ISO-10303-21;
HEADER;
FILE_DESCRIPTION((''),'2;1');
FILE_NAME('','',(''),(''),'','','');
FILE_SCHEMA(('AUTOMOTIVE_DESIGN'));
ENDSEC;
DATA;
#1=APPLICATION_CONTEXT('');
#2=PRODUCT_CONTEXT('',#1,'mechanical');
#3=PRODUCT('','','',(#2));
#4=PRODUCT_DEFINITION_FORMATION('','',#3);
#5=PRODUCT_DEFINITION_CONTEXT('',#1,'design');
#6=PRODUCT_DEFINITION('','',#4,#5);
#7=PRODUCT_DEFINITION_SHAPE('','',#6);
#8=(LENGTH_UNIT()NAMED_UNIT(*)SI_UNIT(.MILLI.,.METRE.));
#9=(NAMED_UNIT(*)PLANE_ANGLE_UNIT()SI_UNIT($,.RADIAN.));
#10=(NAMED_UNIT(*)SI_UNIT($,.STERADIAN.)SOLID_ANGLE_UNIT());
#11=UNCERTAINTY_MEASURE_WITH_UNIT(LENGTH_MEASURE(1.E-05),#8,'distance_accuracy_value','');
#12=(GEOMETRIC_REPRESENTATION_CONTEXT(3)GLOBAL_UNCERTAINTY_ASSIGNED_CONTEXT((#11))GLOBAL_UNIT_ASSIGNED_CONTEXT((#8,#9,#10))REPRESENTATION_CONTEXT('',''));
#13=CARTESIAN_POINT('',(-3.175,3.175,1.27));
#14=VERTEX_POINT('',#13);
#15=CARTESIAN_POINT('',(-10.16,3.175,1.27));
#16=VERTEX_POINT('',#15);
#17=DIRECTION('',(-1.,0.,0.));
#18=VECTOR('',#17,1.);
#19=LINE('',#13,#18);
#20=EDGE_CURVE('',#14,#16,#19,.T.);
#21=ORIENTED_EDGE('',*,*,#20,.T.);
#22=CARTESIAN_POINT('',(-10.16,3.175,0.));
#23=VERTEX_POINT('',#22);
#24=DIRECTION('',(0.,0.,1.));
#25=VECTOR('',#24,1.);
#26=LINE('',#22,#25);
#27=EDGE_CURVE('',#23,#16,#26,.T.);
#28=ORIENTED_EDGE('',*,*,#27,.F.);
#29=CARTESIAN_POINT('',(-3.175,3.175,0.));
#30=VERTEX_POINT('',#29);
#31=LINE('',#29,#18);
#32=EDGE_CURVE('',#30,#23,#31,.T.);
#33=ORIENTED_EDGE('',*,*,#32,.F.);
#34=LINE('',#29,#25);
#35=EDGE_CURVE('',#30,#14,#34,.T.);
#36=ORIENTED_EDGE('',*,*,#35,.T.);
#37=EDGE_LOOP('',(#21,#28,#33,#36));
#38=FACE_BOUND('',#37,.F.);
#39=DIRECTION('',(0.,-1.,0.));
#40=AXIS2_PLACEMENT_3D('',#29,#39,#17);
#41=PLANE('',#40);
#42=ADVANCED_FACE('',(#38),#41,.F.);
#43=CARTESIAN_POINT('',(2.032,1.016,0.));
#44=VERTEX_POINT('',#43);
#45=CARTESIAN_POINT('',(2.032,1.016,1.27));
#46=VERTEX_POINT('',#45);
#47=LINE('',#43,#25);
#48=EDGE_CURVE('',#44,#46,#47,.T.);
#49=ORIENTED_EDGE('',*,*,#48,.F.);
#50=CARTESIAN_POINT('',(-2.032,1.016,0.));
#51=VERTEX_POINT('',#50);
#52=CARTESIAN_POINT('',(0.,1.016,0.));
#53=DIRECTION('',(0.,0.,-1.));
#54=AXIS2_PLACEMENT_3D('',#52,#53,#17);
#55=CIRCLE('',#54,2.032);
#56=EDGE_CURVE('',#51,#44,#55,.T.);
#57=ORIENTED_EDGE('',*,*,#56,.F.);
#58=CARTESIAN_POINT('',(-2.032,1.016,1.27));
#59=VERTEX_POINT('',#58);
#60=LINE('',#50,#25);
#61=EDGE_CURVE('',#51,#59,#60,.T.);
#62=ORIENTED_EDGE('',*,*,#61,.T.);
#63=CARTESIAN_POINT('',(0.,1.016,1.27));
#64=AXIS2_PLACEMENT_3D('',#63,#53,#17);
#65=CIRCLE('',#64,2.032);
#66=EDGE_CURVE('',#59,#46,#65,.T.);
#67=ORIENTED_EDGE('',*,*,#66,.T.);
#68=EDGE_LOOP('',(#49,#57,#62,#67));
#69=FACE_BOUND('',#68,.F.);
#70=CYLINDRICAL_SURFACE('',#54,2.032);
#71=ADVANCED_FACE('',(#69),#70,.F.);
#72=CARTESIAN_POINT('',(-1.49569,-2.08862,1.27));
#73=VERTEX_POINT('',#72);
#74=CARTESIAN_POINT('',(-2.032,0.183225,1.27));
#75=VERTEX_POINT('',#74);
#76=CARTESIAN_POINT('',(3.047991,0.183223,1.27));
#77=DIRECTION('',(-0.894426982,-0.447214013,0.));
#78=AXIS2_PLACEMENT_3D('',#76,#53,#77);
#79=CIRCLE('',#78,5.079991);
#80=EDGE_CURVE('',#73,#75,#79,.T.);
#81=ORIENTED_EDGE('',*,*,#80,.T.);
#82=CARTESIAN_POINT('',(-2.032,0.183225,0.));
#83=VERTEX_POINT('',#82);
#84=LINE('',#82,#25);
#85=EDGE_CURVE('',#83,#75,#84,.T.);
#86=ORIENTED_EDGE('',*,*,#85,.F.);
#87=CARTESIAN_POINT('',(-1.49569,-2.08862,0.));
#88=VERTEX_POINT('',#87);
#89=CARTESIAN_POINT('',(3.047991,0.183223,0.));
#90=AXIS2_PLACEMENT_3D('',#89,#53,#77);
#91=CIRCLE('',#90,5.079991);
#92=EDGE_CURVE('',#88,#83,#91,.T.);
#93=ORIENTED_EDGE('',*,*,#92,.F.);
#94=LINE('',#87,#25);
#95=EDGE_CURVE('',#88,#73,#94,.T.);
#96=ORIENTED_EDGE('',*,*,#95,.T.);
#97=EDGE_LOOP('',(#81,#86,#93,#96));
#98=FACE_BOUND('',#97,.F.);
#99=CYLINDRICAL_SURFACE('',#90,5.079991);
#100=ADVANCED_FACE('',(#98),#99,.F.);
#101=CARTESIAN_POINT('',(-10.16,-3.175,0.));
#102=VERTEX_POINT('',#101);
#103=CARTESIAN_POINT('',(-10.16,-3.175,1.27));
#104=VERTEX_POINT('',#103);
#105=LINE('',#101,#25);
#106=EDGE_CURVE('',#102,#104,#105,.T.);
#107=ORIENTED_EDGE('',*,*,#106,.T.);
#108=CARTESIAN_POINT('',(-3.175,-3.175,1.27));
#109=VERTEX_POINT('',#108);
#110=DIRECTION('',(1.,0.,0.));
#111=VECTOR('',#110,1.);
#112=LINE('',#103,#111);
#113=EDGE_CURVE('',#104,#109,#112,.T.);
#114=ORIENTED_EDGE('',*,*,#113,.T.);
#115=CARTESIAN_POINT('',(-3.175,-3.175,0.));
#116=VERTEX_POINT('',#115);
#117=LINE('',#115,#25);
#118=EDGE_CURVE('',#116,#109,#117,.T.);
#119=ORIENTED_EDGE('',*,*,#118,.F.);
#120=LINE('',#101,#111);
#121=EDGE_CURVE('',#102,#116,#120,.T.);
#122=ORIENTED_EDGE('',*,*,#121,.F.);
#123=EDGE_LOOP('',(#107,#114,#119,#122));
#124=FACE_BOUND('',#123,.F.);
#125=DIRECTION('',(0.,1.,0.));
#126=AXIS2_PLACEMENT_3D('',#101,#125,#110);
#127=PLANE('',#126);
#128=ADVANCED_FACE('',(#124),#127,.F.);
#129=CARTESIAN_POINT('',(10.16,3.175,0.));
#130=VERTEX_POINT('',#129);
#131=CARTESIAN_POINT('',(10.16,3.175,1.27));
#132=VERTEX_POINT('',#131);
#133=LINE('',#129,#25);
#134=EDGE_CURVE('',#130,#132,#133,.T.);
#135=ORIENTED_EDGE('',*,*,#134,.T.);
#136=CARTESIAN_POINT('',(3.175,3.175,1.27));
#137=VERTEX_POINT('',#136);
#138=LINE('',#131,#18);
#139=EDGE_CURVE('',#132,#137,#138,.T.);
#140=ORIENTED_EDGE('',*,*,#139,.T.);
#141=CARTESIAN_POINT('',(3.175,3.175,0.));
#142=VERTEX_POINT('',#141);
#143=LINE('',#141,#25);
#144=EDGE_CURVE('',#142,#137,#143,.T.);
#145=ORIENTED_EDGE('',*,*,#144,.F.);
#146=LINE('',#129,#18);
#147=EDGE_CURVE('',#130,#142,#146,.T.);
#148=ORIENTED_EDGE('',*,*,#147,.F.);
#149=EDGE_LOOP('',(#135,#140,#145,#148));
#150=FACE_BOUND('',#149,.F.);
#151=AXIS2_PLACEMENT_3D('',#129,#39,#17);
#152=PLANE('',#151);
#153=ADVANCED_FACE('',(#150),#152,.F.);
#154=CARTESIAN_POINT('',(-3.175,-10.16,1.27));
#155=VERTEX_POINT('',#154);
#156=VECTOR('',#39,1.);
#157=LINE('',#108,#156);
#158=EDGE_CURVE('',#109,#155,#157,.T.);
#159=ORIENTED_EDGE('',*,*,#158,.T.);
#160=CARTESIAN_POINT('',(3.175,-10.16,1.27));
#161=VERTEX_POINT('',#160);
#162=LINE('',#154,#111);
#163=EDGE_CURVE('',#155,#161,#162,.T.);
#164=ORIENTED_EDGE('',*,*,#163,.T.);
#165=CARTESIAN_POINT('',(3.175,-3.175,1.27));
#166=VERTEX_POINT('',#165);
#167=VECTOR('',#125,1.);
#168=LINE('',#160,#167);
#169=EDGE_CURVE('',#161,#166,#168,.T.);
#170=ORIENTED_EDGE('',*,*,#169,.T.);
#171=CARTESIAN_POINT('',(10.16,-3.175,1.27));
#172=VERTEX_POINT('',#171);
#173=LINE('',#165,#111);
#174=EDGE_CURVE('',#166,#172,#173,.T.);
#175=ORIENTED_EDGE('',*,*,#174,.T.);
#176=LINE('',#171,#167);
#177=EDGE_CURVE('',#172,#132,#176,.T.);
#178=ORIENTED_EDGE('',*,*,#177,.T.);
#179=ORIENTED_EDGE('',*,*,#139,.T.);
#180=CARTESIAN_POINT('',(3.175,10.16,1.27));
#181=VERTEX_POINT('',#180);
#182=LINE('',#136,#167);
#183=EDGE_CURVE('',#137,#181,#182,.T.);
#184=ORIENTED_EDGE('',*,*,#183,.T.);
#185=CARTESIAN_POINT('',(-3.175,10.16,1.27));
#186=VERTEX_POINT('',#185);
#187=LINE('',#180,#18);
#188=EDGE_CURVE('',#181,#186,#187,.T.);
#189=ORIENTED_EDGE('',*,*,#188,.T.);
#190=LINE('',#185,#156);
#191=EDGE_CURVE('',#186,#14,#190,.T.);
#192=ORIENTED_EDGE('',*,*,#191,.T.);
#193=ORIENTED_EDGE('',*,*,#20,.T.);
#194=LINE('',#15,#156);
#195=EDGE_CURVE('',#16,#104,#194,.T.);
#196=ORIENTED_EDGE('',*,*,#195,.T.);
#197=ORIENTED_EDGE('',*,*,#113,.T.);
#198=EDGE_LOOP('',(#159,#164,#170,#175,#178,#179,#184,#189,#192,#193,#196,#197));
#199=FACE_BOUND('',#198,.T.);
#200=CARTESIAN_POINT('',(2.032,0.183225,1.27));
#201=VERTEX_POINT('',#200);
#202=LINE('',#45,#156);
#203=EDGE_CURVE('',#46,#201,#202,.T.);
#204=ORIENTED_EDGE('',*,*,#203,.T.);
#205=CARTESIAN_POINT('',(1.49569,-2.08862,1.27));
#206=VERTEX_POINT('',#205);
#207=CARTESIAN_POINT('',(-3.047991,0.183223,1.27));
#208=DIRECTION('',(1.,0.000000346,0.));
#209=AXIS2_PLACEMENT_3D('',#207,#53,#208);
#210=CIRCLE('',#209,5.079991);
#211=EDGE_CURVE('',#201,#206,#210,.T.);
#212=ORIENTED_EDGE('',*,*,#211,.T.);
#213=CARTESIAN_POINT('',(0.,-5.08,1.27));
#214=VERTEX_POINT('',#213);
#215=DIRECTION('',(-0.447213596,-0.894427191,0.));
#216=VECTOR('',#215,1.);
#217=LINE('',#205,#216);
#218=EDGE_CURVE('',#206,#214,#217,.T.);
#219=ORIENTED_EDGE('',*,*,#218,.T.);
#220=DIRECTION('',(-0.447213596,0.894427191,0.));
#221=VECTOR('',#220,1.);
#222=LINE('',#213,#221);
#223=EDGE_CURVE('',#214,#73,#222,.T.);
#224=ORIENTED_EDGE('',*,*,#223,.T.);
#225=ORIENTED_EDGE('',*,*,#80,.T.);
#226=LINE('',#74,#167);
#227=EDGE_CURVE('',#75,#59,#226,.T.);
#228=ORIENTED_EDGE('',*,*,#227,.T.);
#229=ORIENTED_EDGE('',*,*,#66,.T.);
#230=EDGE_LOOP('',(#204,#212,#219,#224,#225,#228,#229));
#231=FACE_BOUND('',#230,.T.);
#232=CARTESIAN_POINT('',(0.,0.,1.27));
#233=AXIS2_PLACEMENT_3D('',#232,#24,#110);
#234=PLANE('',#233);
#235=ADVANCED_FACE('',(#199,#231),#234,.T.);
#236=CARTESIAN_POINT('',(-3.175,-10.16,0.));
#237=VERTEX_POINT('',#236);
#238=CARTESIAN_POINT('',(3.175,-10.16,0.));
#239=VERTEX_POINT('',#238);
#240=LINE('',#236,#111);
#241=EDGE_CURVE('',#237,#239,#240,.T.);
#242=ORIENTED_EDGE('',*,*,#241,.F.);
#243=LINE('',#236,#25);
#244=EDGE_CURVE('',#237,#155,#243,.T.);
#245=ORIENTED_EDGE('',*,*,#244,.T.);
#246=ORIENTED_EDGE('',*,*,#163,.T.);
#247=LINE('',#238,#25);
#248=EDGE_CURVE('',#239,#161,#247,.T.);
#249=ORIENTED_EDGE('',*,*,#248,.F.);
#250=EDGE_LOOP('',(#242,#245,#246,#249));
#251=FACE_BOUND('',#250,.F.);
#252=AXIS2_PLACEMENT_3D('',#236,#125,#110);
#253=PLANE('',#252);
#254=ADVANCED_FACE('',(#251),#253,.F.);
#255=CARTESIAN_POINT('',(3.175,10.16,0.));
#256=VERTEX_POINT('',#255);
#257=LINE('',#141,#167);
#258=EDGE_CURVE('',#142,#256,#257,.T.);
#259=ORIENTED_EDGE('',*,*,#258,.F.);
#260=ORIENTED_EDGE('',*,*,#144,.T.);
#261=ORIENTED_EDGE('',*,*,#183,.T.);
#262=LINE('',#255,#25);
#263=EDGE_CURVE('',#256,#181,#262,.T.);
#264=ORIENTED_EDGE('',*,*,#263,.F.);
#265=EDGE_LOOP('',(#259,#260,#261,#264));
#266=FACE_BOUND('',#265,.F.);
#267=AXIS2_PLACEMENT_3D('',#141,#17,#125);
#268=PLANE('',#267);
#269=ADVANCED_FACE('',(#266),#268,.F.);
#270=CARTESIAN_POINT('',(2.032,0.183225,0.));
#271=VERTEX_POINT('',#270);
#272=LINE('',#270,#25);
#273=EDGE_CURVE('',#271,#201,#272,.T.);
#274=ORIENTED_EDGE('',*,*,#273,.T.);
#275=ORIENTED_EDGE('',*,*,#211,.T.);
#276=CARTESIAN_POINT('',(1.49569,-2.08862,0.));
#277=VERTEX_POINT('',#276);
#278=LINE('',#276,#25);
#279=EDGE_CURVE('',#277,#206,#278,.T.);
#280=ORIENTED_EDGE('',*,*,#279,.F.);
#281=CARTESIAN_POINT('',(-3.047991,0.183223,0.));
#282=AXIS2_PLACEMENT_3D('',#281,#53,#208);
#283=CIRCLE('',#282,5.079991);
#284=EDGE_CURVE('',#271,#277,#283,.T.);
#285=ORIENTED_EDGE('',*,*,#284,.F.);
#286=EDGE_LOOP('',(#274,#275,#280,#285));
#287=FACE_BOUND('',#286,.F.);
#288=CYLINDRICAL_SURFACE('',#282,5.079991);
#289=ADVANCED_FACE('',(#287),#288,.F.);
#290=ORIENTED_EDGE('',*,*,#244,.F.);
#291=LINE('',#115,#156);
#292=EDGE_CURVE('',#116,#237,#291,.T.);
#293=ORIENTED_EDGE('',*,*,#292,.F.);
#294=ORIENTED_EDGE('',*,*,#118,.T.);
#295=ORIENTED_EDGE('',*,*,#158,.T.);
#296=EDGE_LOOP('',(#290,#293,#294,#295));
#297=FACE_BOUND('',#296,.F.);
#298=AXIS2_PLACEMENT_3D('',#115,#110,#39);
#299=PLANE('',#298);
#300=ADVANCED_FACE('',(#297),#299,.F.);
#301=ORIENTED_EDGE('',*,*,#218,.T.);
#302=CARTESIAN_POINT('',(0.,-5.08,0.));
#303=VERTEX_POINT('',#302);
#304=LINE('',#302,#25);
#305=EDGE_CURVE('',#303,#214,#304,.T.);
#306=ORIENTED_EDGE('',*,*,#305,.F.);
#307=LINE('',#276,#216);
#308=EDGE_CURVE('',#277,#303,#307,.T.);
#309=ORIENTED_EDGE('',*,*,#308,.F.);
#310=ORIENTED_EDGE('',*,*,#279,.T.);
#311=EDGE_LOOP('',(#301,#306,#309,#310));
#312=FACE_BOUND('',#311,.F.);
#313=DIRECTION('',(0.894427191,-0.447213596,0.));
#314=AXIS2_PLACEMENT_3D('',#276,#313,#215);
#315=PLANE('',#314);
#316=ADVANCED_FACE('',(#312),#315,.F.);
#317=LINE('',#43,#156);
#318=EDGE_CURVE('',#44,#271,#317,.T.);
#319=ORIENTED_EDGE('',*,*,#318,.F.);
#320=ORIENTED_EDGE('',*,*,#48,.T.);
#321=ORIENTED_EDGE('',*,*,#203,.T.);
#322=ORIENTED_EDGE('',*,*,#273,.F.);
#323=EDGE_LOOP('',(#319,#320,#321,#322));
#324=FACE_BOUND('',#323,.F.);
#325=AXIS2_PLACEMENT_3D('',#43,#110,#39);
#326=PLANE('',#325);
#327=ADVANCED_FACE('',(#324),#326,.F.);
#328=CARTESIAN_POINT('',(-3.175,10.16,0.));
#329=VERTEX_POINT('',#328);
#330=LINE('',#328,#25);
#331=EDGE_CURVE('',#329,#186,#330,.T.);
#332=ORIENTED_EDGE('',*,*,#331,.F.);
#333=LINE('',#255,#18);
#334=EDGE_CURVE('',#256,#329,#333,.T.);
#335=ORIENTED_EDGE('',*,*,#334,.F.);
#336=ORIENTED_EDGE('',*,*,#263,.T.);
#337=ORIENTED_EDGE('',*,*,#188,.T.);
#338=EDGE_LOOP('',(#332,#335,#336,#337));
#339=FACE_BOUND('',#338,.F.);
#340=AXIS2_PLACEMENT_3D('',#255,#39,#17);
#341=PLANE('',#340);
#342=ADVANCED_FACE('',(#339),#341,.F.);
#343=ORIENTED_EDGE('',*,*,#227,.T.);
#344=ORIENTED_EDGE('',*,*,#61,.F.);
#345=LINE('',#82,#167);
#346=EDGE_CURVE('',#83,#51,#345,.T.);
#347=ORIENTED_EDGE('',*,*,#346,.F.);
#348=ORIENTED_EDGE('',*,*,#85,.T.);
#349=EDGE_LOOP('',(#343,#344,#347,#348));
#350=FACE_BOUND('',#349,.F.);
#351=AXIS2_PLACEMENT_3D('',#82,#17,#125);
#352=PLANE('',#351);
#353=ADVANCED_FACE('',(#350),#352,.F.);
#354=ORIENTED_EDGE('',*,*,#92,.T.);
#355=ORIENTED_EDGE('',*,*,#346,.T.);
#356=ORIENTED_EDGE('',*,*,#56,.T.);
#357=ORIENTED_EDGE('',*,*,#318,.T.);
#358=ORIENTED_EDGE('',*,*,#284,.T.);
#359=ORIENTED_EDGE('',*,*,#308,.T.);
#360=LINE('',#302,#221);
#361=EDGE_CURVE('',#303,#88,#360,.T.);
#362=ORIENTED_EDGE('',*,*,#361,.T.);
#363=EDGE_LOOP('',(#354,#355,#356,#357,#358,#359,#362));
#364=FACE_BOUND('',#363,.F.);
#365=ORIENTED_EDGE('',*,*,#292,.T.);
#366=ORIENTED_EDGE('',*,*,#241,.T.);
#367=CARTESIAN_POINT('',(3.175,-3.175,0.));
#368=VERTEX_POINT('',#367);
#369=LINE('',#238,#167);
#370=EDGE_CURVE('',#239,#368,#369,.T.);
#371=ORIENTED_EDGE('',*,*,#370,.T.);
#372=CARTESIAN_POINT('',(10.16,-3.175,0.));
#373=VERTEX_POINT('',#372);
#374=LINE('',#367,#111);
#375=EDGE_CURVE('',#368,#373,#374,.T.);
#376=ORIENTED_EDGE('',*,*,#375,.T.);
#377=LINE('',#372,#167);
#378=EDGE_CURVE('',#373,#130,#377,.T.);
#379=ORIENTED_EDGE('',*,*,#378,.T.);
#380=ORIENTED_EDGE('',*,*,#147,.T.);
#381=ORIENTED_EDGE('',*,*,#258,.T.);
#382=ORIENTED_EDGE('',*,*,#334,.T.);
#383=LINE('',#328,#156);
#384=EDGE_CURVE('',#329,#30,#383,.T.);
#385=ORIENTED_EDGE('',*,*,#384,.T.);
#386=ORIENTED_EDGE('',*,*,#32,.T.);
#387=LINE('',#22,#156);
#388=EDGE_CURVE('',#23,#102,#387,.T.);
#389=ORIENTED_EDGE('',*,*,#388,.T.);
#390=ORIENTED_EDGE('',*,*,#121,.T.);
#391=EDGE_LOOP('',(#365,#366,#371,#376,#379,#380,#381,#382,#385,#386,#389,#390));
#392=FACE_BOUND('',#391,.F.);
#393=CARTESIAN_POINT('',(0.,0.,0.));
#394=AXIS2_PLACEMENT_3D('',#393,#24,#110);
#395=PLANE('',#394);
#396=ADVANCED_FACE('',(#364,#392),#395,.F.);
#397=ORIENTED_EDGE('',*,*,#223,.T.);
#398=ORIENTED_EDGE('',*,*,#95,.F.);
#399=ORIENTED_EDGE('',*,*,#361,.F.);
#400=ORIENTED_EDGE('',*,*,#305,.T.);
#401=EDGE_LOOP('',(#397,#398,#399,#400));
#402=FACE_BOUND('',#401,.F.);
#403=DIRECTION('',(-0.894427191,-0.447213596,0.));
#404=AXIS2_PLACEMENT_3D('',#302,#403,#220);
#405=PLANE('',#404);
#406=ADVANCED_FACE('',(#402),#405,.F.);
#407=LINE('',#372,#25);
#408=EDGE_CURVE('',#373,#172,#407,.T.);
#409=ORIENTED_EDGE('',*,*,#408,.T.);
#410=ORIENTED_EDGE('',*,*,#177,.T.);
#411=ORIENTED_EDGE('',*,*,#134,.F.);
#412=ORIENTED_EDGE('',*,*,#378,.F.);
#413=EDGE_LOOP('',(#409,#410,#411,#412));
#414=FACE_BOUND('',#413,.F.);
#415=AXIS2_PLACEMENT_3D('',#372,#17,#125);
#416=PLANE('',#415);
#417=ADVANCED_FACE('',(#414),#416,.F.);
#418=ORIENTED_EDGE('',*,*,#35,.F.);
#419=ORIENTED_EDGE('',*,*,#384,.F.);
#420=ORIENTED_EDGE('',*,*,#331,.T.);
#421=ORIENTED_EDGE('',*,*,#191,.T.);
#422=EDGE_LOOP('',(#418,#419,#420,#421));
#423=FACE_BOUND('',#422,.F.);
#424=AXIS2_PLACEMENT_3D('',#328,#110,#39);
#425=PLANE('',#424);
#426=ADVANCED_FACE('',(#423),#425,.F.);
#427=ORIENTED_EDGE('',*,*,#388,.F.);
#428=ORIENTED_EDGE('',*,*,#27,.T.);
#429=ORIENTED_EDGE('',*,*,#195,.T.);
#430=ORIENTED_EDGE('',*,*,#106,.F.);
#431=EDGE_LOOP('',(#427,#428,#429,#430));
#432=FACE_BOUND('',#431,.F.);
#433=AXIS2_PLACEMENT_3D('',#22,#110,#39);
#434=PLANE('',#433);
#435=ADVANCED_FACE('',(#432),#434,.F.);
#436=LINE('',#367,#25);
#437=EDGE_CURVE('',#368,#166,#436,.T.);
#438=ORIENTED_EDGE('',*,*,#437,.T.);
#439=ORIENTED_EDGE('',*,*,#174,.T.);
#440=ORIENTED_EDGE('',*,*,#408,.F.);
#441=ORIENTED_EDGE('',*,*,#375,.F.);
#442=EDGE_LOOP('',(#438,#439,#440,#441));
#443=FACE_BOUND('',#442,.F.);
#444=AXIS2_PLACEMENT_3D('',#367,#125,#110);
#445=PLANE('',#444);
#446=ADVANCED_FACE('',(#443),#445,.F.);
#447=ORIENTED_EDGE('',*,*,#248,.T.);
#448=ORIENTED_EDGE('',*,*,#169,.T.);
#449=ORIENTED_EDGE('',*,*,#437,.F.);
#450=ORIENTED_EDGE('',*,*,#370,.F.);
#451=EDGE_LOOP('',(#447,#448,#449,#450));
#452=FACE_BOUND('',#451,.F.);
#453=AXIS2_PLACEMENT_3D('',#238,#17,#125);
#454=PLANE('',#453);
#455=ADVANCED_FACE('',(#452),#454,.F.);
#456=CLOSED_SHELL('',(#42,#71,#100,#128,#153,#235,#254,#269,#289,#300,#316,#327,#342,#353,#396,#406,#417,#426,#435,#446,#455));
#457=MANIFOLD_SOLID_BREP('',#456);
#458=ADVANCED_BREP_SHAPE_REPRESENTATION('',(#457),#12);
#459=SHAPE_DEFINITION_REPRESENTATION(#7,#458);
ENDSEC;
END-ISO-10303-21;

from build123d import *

# Parameters (mm, degrees)
F1_DEPTH = 1.27


with BuildPart() as f1:
    # F0 (on Top) → F1 (new body)
    with BuildSketch(Plane.XY):
        Polygon((3.175, 10.16), (-3.175, 10.16), (-3.175, 3.175), (-10.16, 3.175), (-10.16, -3.175), (-3.175, -3.175), (-3.175, -10.16), (3.175, -10.16), (3.175, -3.175), (10.16, -3.175), (10.16, 3.175), (3.175, 3.175), align=None)
        with BuildLine():
            Line((-2.032, 0.183225), (-2.032, 1.016))
            ThreePointArc((-2.032, 1.016), (0, 3.048), (2.032, 1.016))
            Line((2.032, 1.016), (2.032, 0.183225))
            ThreePointArc((2.032, 0.183225), (1.896105, -0.98392), (1.49569, -2.08862))
            Line((1.49569, -2.08862), (0, -5.08))
            Line((0, -5.08), (-1.49569, -2.08862))
            ThreePointArc((-1.49569, -2.08862), (-1.896105, -0.98392), (-2.032, 0.183225))
        make_face(mode=Mode.SUBTRACT)
    extrude(amount=F1_DEPTH)


solid = f1.part
